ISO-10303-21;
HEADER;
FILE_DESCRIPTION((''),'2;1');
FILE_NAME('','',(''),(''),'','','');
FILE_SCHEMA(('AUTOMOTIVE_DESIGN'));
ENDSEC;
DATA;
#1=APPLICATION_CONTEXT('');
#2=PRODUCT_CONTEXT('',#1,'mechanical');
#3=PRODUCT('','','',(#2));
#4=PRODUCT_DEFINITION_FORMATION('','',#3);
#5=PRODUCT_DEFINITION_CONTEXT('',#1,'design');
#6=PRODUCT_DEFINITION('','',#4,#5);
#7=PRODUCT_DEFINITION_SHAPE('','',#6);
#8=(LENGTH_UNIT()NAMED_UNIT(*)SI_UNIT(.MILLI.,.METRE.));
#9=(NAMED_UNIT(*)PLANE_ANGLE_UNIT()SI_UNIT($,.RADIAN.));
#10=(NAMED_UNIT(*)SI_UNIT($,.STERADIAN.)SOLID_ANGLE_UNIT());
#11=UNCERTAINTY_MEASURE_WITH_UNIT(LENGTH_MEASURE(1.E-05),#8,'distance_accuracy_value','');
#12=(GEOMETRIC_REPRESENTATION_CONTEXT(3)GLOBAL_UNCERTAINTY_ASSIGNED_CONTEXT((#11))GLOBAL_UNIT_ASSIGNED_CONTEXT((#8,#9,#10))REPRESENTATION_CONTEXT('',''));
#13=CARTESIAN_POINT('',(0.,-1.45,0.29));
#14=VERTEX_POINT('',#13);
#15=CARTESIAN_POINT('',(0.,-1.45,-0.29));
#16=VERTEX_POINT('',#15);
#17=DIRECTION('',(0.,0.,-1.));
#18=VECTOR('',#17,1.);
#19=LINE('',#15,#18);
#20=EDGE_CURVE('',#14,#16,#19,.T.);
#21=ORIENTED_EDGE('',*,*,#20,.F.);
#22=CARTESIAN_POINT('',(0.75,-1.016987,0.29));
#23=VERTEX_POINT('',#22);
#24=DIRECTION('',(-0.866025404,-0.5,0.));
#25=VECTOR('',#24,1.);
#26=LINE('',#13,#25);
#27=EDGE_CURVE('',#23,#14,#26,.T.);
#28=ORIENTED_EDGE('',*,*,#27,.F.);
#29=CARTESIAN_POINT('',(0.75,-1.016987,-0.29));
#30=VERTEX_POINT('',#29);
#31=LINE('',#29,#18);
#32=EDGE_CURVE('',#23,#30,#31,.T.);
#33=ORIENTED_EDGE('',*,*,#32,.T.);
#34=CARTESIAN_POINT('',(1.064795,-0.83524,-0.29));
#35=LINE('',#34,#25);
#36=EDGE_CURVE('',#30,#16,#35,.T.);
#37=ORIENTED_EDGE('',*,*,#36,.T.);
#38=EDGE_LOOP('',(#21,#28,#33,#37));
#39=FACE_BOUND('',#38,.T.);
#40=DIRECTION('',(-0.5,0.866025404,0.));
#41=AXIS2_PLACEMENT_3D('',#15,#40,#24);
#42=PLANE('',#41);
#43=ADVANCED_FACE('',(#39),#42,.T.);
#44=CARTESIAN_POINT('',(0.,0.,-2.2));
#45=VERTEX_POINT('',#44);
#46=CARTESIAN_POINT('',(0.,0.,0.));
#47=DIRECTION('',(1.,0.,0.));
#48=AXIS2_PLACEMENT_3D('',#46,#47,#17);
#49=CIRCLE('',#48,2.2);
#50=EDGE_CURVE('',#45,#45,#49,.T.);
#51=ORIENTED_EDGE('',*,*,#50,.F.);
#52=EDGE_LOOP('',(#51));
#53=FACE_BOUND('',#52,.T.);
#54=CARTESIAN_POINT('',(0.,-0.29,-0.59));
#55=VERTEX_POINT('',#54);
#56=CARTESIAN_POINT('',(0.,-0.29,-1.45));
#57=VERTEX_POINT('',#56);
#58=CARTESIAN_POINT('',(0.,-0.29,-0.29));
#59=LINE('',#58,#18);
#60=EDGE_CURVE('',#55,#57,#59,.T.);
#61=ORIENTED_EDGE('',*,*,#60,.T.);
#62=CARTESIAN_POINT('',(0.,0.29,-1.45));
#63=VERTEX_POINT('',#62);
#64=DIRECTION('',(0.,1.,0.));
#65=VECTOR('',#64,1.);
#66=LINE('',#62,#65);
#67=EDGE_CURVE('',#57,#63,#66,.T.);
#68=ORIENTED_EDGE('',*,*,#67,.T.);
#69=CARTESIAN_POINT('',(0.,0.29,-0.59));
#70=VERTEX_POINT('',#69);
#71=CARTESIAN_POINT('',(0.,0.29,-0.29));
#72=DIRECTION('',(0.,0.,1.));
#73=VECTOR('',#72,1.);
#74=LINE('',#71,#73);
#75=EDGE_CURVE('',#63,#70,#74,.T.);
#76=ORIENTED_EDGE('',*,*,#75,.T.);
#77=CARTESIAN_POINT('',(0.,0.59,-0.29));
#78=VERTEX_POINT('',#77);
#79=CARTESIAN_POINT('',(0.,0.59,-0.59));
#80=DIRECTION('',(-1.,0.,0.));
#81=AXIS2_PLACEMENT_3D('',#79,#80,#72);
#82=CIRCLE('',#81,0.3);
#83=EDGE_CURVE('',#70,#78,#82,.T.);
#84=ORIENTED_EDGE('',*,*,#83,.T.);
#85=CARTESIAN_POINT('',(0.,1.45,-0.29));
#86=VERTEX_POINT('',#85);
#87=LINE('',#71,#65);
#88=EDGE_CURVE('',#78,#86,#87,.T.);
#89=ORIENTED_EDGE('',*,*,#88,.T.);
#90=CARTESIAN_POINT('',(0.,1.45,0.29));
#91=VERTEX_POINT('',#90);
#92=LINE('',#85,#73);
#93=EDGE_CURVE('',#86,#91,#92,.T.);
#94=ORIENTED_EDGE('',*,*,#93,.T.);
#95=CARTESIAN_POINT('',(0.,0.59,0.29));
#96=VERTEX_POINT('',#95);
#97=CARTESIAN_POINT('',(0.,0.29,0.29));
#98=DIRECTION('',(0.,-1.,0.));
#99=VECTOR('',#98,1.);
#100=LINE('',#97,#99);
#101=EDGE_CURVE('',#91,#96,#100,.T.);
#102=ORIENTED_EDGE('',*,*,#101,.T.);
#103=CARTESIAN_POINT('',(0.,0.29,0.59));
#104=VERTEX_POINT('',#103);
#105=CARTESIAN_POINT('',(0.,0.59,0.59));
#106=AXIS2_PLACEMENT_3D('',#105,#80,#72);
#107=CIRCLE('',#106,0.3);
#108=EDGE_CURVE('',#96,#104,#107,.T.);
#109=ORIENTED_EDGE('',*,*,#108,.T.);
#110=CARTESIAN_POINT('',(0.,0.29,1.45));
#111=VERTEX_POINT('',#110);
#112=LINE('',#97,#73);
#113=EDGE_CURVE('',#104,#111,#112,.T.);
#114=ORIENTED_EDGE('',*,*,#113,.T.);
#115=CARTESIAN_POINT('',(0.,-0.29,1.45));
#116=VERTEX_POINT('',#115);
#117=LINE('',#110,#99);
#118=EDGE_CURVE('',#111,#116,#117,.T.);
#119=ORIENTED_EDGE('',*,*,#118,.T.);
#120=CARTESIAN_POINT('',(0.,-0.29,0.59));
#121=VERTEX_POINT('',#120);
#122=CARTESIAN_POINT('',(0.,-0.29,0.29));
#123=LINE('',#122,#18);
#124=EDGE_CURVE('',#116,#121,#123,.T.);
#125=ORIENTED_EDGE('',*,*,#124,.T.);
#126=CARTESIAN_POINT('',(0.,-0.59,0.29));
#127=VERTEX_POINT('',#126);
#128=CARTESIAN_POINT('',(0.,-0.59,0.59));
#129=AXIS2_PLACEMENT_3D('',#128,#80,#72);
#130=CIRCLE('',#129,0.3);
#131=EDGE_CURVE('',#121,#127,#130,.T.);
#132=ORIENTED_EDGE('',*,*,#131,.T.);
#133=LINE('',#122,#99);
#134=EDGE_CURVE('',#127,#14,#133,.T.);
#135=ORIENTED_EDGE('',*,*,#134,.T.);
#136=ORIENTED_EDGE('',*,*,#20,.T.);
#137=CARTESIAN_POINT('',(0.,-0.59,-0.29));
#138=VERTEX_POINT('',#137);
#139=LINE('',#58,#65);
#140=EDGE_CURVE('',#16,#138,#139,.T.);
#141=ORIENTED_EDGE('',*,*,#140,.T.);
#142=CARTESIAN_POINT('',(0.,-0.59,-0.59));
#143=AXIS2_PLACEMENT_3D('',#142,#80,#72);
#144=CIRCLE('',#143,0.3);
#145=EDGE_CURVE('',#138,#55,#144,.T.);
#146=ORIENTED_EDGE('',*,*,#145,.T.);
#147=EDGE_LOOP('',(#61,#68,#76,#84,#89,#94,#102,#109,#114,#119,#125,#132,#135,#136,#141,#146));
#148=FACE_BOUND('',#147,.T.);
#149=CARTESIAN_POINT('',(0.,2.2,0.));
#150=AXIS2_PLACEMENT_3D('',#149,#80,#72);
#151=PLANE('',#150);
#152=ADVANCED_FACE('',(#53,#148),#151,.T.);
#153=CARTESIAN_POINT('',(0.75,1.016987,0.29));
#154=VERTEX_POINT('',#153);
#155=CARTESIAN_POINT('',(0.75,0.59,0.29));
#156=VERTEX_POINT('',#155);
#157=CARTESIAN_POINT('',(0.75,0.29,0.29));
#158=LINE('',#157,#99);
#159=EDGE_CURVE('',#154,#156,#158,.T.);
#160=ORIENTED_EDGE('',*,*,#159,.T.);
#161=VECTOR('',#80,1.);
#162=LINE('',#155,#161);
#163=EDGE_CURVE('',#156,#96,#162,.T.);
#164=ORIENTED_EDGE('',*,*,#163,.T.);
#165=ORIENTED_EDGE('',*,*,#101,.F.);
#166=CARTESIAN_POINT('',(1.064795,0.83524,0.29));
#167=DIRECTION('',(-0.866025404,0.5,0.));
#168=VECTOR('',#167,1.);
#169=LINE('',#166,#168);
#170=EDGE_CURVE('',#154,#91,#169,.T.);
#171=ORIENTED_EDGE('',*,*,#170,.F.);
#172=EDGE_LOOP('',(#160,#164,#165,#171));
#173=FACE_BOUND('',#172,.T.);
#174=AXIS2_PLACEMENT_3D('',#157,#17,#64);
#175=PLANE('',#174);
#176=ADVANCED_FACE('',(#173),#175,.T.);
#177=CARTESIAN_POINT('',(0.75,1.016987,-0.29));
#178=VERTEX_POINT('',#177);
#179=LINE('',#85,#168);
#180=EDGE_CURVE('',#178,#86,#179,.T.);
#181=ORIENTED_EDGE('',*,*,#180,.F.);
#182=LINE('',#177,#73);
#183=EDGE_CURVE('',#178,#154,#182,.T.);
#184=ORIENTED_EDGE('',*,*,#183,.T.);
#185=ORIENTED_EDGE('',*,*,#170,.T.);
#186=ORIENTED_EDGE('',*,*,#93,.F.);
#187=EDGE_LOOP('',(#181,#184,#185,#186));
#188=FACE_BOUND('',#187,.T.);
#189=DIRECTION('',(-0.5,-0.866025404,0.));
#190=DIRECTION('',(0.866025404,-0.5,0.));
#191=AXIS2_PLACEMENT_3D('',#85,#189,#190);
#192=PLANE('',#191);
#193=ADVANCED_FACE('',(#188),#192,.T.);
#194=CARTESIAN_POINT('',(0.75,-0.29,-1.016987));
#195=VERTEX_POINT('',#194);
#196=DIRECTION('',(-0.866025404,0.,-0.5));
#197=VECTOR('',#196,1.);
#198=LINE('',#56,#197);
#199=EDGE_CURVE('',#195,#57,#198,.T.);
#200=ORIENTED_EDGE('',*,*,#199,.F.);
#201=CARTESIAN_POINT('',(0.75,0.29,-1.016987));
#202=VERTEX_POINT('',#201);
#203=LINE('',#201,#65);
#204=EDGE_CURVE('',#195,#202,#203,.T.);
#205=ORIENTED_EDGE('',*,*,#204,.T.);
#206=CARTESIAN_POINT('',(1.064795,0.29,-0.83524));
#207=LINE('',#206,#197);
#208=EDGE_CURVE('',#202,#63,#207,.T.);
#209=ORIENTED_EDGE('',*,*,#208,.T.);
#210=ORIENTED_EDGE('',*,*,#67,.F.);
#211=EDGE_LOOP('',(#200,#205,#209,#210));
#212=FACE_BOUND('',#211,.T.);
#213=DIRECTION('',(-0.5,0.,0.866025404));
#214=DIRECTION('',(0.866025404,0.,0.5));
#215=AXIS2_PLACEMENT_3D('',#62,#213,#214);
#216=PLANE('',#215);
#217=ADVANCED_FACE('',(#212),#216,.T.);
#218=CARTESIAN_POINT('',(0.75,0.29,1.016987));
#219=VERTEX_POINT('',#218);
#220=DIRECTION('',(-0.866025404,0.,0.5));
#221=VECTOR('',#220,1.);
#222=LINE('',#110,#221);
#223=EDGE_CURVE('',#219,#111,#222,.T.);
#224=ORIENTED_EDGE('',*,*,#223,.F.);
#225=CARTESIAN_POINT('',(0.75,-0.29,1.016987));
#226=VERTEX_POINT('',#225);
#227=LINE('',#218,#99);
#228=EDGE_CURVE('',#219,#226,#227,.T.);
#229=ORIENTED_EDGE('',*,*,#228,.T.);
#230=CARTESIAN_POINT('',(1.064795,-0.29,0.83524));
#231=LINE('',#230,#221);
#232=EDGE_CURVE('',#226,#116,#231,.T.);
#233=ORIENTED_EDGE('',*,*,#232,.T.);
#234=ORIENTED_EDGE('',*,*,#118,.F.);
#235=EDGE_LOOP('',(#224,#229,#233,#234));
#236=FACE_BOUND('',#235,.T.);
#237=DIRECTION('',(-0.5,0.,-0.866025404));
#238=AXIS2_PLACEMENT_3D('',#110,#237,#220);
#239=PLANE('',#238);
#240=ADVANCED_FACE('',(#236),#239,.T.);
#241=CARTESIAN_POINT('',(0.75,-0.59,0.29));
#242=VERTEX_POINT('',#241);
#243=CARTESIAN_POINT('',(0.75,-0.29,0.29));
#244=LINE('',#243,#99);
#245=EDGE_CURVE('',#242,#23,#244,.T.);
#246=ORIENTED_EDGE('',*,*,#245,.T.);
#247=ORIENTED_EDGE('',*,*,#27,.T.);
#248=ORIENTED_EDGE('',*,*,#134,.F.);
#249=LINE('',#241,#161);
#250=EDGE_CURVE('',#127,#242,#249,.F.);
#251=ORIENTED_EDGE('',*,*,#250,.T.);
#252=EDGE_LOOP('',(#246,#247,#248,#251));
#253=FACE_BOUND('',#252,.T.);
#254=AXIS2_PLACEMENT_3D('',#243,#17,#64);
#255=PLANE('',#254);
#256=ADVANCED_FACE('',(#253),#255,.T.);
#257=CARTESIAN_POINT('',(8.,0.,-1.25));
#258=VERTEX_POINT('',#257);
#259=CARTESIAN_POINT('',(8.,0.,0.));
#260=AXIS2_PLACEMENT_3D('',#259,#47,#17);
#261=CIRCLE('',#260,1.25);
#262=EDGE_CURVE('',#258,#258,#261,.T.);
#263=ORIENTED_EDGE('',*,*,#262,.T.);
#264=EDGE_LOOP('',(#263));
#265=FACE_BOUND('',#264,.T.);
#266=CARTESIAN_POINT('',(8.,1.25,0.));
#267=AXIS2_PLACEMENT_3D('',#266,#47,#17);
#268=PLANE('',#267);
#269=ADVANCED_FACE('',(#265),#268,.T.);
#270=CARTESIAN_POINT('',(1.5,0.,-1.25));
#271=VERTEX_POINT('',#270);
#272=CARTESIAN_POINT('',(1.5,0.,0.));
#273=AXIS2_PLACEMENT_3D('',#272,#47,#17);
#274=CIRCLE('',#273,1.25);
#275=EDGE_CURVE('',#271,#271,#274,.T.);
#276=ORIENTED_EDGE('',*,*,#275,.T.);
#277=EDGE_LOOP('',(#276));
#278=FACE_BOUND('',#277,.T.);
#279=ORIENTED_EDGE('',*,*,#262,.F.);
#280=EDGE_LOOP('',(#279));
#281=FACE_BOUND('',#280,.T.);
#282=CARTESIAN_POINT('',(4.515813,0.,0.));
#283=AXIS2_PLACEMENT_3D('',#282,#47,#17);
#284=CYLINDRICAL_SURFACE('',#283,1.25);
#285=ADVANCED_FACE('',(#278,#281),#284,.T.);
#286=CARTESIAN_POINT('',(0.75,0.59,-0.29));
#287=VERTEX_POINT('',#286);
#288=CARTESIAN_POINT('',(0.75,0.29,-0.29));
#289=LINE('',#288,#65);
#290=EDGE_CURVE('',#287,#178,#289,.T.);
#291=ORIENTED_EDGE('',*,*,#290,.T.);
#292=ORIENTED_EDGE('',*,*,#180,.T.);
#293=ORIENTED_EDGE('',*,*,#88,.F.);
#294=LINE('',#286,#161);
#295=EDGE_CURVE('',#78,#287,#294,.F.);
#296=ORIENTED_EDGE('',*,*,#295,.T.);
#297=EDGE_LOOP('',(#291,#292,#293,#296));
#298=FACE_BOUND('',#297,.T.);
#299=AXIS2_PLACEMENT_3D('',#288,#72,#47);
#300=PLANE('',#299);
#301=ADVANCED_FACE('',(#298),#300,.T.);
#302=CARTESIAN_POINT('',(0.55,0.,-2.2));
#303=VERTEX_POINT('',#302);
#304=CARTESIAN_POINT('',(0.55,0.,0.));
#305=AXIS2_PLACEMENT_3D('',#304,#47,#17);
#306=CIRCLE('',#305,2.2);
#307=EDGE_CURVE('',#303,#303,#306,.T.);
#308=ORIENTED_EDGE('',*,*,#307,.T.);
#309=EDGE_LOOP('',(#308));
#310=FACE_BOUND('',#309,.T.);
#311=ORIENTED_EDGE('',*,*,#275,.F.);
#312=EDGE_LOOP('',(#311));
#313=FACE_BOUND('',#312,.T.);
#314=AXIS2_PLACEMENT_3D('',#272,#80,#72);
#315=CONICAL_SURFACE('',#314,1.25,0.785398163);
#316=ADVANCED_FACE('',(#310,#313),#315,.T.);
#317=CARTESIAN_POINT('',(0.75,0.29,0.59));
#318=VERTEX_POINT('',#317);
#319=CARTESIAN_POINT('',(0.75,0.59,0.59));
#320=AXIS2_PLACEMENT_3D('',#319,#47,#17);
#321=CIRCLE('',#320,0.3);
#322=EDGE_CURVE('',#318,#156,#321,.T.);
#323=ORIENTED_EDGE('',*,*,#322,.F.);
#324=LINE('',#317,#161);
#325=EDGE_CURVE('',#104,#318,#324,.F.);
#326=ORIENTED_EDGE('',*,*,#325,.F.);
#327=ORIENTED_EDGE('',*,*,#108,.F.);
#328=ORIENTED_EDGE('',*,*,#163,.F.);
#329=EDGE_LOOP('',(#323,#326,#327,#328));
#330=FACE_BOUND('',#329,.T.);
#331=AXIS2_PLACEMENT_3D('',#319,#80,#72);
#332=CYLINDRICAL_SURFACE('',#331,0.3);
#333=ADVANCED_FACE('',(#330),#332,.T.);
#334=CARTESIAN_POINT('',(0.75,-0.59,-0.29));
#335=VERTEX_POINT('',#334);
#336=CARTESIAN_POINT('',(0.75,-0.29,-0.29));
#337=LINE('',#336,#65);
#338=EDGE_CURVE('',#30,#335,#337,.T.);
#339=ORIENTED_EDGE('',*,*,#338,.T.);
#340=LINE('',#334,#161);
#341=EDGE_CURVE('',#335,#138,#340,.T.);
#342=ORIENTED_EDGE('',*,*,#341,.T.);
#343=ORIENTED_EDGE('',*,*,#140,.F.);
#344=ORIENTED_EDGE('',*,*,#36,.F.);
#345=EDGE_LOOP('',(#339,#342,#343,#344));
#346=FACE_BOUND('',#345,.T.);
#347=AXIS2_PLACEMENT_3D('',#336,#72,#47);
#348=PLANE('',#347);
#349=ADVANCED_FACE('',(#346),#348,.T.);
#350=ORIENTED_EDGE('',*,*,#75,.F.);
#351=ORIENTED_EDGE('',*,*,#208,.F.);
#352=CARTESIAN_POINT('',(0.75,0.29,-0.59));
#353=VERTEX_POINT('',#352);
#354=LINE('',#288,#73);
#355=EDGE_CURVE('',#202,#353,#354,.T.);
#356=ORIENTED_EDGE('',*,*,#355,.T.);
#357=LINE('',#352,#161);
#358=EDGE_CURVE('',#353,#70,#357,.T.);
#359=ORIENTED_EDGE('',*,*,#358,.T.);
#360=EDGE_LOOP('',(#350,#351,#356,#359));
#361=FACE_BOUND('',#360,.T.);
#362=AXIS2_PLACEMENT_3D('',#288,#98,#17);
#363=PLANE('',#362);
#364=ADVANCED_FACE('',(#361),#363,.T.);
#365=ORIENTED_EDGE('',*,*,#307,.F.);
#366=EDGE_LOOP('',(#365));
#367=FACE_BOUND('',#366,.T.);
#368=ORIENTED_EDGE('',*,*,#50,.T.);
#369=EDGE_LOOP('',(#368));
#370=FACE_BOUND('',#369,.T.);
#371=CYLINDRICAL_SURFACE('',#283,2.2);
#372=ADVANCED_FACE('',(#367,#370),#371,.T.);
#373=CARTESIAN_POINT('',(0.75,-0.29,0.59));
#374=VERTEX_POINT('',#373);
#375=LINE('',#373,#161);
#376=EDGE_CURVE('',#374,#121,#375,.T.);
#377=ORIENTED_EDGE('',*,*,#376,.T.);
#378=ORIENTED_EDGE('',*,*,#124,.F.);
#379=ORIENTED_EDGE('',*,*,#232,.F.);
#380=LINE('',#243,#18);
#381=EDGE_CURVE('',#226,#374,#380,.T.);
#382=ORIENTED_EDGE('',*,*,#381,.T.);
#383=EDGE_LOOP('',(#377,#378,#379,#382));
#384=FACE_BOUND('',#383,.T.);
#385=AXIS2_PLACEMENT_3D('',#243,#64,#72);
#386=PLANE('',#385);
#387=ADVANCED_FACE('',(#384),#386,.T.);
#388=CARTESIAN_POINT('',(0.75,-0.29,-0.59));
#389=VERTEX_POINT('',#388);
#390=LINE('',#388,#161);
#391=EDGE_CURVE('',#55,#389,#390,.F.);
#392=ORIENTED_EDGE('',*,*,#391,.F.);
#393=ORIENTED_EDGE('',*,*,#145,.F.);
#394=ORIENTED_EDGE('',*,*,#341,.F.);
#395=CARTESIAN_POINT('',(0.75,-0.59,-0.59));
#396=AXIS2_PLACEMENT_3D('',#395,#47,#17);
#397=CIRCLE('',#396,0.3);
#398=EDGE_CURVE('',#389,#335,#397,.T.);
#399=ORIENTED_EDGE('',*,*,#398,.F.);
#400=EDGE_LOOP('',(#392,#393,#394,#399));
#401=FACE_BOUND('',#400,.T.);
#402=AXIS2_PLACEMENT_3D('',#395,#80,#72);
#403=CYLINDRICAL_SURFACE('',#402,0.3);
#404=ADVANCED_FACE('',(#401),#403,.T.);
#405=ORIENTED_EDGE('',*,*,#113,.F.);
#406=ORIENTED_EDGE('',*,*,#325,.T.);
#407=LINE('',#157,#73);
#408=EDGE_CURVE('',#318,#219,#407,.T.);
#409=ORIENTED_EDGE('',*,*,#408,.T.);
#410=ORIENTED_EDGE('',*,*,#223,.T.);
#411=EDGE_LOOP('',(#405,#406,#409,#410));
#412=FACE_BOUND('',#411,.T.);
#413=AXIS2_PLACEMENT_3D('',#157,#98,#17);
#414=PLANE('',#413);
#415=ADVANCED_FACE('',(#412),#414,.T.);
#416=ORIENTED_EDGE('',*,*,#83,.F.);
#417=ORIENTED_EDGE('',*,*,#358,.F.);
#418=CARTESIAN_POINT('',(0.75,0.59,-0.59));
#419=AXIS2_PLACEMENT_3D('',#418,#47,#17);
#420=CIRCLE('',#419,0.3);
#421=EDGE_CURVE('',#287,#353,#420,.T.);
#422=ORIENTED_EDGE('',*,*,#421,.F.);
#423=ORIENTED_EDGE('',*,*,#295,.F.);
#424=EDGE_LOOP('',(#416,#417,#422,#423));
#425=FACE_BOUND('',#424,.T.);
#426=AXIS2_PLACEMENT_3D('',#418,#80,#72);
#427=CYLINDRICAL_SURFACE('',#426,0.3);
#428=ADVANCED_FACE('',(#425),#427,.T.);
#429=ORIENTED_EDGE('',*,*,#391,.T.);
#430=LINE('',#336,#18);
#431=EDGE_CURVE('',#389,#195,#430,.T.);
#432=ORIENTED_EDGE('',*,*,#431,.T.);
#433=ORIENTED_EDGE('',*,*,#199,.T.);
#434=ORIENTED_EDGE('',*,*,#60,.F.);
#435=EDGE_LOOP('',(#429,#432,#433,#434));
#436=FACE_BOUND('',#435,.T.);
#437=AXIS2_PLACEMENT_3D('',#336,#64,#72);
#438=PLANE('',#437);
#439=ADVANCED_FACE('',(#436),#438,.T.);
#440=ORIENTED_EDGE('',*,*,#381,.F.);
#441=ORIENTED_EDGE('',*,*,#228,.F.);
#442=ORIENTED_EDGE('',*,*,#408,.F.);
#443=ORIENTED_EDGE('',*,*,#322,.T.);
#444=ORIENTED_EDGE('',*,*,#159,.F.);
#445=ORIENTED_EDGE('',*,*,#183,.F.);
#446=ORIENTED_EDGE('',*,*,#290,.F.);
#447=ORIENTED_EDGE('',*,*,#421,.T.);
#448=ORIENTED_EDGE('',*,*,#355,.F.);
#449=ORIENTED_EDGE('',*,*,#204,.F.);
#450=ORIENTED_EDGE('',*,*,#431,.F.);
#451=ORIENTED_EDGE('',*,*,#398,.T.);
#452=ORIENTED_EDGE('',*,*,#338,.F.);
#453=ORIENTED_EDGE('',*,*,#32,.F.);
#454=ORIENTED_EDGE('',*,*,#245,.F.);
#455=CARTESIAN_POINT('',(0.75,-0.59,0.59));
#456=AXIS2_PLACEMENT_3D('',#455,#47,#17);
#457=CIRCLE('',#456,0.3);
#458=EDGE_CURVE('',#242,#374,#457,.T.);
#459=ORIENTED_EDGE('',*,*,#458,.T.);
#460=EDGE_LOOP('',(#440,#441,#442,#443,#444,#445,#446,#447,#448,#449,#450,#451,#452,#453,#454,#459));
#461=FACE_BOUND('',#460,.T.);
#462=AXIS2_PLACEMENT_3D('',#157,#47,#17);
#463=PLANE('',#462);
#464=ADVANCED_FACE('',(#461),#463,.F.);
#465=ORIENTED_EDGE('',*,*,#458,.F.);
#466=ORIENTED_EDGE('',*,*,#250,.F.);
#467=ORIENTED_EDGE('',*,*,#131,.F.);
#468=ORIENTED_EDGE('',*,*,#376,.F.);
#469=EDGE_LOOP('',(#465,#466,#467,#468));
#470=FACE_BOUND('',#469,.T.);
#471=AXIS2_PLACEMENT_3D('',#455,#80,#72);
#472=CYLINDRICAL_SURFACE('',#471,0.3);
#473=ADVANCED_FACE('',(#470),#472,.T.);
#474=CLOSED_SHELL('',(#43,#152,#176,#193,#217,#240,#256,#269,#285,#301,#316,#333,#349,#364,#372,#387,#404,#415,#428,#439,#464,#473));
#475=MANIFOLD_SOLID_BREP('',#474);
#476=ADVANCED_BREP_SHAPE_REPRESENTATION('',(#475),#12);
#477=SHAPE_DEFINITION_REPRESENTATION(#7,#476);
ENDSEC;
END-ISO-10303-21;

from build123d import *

# Parameters (mm, degrees)
CROSSRECESS_DEPTH = 0.75
DRAFT9_ANGLE      = 30
FILLET5_R         = 0.3


with BuildPart() as part:
    # Sketch1 → Base (revolve)
    with BuildSketch(Plane.XY, mode=Mode.PRIVATE) as base_sk:
        Polygon((8, 1.25), (2.4, 1.25), (1.5, 1.25), (0.55, 2.2), (0, 2.2), (0, 0), (8, 0), align=None)
    revolve(base_sk.sketch.rotate(Axis((4.515812911, 0, 0), (-1, 0, 0)), 90), axis=Axis((4.515812911, 0, 0), (-1, 0, 0)))

    # Sketch6 → CrossRecess (cut)
    with BuildSketch(Plane(origin=(0, 0, 0), x_dir=(0, 0, -1), z_dir=(1, 0, 0))):
        Polygon((0.29, 0.29), (0.29, 1.45), (-0.29, 1.45), (-0.29, 0.29), (-1.45, 0.29), (-1.45, -0.29), (-0.29, -0.29), (-0.29, -1.45), (0.29, -1.45), (0.29, -0.29), (1.45, -0.29), (1.45, 0.29), align=None)
    extrude(amount=CROSSRECESS_DEPTH, mode=Mode.SUBTRACT)

    # Draft9
    draft9_faces = [part.faces().sort_by_distance(p)[0] for p in [
        (0.375, 1.45, 0),
        (0.375, 0, 1.45),
        (0.375, -1.45, 0),
        (0.375, 0, -1.45),
    ]]
    draft(draft9_faces, Plane(origin=(0, 2.2, 0), x_dir=(0, 0, -1), z_dir=(-1, 0, 0)), DRAFT9_ANGLE)

    # Fillet5
    fillet5_edges = [part.edges().sort_by_distance(p)[0] for p in [
        (0.375, 0.29, 0.29),
        (0.375, -0.29, 0.29),
        (0.375, -0.29, -0.29),
        (0.375, 0.29, -0.29),
    ]]
    fillet(fillet5_edges, radius=FILLET5_R)


solid = part.part
